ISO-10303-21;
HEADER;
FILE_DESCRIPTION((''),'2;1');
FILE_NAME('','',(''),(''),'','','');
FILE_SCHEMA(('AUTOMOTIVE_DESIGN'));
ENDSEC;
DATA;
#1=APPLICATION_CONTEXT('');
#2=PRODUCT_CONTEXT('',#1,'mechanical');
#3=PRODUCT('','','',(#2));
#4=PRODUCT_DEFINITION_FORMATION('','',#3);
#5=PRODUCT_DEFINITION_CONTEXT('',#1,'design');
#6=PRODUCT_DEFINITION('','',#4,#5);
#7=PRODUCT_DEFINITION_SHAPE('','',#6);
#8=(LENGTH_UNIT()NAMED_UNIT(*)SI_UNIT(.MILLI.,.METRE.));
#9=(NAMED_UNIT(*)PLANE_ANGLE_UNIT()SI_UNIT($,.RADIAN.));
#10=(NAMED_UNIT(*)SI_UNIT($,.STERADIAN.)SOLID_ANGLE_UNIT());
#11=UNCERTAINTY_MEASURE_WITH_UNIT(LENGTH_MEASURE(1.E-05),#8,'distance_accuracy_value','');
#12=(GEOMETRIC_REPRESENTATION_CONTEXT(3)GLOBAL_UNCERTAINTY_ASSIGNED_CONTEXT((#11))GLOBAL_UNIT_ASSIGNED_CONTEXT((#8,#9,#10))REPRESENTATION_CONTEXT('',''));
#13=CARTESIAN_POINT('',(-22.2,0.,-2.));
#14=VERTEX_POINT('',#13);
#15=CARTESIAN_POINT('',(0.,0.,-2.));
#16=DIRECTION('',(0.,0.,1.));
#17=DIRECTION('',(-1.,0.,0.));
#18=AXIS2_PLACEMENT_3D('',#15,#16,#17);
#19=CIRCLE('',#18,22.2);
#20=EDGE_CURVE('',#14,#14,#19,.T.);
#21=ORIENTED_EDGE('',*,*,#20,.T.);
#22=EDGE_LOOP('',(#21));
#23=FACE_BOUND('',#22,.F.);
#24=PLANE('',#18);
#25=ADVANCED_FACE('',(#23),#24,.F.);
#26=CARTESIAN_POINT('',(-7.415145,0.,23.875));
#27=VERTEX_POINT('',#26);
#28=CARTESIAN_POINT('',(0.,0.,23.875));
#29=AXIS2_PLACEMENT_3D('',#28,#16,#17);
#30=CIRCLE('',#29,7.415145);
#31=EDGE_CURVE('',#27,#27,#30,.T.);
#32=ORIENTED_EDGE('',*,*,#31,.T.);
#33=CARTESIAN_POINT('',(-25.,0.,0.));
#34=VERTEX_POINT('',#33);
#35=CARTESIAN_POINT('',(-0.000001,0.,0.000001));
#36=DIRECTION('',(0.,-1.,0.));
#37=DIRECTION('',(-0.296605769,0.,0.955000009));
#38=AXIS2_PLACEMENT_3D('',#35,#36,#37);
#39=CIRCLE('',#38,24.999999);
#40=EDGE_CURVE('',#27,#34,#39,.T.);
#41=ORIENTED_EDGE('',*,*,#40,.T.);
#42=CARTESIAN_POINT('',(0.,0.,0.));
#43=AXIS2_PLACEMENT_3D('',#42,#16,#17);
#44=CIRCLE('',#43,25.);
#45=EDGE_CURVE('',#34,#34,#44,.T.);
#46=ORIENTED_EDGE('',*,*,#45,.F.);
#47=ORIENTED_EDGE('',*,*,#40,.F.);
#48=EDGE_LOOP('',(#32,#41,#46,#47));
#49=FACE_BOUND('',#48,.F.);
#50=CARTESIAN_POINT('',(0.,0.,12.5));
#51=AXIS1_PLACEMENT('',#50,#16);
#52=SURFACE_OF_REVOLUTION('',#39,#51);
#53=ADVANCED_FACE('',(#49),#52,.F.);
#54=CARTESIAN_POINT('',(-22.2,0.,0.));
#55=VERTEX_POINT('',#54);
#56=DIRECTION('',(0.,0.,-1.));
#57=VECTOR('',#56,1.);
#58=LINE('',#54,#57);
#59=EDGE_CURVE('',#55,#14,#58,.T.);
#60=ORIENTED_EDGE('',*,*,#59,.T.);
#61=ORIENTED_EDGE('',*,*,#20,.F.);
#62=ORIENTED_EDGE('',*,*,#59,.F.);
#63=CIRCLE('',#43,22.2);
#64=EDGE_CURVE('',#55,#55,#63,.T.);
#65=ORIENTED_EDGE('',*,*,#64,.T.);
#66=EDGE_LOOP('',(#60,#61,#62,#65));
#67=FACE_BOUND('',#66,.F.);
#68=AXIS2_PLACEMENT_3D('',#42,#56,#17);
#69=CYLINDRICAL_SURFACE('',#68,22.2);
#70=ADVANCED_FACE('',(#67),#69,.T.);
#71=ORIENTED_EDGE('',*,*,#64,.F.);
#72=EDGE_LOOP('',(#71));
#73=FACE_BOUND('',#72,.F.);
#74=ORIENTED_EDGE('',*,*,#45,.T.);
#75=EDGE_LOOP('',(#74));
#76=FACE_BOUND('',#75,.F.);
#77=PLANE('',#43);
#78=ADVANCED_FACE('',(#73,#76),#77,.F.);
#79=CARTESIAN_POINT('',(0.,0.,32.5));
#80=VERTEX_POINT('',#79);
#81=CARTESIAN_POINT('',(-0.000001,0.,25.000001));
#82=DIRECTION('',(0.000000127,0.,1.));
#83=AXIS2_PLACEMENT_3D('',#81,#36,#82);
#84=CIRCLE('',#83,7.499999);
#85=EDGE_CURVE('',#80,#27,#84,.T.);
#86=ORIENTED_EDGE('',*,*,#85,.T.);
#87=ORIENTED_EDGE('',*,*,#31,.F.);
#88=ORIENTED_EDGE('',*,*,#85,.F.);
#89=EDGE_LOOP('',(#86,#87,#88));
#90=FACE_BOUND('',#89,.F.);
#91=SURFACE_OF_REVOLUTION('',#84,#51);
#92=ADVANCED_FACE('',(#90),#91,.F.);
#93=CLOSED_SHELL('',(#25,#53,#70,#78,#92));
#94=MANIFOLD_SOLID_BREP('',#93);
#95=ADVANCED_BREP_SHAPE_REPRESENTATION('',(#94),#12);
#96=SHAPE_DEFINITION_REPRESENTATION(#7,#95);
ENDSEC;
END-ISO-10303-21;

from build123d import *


with BuildPart() as f1:
    # F0 (on Front) → F1 (revolve)
    with BuildSketch(Plane.XZ):
        with BuildLine():
            ThreePointArc((0, 32.5), (-5.687157, 29.889402), (-7.415145, 23.875))
            ThreePointArc((-7.415145, 23.875), (-20.129315, 14.826014), (-25, 0))
            Line((-25, 0), (-22.2, 0))
            Line((-22.2, 0), (-22.2, -2))
            Line((-22.2, -2), (0, -2))
            Line((0, -2), (0, 0))
            Line((0, 0), (0, 25))
            Line((0, 25), (0, 32.5))
        make_face()
    revolve(axis=Axis((0, 0, 12.5), (0, 0, 1)))


solid = f1.part
